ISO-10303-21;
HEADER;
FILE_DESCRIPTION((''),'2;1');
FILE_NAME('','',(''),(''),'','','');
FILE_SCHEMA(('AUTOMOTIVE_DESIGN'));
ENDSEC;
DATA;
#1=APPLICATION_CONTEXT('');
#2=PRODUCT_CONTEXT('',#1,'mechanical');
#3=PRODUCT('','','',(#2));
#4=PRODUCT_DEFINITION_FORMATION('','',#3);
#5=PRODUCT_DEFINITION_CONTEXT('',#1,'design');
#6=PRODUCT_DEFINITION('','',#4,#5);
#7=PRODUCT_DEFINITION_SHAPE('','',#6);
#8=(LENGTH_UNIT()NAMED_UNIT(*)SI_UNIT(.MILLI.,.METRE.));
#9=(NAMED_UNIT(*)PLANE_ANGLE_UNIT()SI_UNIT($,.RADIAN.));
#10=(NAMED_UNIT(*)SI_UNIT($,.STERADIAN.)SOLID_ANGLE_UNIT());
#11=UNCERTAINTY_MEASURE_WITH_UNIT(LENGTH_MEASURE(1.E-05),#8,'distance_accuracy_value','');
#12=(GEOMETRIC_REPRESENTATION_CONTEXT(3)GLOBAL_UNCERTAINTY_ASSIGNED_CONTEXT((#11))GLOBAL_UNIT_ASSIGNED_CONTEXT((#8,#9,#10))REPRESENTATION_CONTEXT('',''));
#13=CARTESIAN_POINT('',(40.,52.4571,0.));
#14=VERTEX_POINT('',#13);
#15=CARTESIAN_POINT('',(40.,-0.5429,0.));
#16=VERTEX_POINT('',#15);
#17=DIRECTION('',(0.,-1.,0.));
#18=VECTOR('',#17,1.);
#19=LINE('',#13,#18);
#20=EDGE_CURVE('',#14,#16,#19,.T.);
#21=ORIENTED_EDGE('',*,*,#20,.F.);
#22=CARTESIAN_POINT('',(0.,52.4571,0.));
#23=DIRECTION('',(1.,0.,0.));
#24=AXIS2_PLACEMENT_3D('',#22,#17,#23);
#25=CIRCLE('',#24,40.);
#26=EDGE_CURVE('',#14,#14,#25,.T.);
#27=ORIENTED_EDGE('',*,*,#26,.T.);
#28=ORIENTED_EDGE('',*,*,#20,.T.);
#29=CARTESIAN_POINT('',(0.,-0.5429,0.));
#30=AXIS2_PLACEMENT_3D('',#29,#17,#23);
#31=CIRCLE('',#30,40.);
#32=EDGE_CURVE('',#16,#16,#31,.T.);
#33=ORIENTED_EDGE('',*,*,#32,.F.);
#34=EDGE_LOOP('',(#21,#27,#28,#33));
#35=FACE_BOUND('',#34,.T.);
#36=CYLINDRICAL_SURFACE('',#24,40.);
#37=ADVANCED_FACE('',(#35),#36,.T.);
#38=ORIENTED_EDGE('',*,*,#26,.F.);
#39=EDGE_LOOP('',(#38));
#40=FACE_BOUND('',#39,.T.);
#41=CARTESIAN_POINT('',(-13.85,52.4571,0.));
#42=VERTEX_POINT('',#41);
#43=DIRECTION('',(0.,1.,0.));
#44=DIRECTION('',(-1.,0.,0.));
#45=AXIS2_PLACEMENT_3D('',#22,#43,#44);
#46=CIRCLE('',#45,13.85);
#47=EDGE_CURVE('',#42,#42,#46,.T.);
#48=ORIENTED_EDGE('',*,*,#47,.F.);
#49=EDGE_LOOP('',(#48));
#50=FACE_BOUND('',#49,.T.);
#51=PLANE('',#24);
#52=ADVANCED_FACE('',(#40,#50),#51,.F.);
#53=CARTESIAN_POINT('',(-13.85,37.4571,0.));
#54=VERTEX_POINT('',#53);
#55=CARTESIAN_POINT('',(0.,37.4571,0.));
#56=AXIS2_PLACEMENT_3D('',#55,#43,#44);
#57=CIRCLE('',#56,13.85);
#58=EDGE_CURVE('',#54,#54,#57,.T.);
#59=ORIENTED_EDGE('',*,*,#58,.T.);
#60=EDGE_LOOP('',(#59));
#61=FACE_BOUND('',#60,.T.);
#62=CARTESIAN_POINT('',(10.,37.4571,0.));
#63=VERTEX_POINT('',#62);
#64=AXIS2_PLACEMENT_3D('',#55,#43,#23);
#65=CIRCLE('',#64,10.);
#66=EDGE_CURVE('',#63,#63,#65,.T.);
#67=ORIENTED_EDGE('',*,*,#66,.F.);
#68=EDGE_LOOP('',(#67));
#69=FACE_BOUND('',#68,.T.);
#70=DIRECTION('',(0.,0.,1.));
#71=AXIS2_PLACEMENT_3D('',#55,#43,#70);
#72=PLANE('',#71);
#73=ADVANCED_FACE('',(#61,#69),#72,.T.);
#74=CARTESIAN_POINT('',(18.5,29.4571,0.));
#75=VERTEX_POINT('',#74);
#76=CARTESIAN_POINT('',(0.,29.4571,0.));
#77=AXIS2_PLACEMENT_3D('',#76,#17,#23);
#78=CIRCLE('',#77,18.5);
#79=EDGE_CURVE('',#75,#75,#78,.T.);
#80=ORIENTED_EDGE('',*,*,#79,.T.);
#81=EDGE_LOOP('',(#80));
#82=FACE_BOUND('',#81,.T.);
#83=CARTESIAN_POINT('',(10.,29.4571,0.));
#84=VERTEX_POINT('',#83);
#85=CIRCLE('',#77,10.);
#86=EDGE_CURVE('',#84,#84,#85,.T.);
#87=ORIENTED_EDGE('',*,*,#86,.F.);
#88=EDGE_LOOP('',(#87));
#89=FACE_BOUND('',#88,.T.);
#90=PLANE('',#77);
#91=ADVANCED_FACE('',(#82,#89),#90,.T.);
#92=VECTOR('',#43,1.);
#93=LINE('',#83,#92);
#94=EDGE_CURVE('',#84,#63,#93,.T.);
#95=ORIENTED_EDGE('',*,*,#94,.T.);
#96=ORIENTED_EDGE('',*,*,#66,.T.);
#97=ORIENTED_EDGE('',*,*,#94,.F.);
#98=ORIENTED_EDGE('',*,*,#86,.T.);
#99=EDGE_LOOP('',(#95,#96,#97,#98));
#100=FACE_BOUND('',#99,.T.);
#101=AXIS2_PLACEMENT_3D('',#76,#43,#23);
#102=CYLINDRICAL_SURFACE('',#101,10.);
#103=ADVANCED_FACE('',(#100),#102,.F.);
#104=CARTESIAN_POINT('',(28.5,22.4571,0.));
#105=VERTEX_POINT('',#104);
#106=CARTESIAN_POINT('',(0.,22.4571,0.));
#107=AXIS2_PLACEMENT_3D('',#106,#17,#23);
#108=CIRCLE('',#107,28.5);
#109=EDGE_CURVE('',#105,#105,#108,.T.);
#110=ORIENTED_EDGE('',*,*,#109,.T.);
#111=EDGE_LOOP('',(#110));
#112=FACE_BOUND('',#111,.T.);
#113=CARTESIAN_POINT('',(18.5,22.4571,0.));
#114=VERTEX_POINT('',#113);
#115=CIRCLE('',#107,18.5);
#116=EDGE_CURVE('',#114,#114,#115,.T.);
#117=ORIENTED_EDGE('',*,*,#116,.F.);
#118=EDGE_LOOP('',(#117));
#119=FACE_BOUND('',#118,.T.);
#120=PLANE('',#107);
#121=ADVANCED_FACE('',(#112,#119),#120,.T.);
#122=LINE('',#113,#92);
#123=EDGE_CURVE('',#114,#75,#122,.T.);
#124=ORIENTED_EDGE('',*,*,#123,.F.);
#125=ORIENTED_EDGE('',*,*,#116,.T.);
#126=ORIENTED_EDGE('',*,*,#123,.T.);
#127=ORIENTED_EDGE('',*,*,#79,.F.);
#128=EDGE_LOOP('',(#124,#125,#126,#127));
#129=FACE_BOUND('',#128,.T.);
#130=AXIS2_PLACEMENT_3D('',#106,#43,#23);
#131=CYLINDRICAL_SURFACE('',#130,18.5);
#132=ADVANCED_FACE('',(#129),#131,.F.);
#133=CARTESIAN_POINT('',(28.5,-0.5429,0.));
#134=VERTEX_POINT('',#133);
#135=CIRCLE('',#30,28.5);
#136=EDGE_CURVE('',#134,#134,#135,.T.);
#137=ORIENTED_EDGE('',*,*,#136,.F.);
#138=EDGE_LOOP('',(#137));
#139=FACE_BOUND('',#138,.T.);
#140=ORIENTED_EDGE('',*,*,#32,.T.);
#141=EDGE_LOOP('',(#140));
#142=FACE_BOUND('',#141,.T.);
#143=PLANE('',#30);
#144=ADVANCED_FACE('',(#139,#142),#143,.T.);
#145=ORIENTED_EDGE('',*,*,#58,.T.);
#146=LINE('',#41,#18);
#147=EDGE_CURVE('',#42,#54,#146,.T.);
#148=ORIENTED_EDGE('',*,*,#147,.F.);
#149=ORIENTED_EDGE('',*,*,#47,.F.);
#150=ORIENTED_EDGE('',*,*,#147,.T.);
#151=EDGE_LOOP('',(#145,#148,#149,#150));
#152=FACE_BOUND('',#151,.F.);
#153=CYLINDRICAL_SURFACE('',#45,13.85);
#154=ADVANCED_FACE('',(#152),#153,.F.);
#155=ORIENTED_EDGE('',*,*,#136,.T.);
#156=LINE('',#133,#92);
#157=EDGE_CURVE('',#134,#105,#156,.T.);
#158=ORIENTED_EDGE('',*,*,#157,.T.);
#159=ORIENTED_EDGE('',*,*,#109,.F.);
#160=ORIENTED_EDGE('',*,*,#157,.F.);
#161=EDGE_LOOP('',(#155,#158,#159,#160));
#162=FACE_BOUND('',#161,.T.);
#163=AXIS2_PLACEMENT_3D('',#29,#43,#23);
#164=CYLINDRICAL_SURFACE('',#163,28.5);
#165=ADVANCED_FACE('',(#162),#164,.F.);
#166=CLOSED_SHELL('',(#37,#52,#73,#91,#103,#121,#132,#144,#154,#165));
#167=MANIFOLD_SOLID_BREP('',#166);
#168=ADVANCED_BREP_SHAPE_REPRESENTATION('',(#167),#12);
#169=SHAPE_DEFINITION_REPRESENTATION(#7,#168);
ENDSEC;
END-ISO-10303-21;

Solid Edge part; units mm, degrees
sketch "Sketch1" plane through (0, 0, 0) normal (0, 0, 1) x (1, 0, 0)
  line L0 (10, 52.4571) -> (40, 52.4571)
  line L1 (40, 52.4571) -> (40, 36.4571)
  line L2 (40, 36.4571) -> (40, 31.4571)
  line L3 (40, 31.4571) -> (40, 24.4571)
  line L4 (40, 24.4571) -> (40, -0.5429)
  line L5 (40, -0.5429) -> (28.5, -0.5429)
  line L6 (28.5, -0.5429) -> (28.5, 22.4571)
  line L7 (28.5, 22.4571) -> (18.5, 22.4571)
  line L8 (18.5, 22.4571) -> (18.5, 29.4571)
  line L9 (18.5, 29.4571) -> (10, 29.4571)
  line L10 (10, 29.4571) -> (10, 52.4571)
  dimension "D1" = 53
  dimension "D2" = 23
revolve "RevolvedProtrusion1" add sketch "Sketch1" angle 360 about axis through (0, 54, 0) along (0, -1, 0)
sketch "Sketch2" plane through (0, 52.4571, 0) normal (0, 1, 0) x (-1, 0, 0)
  circle A0 centre (0, 0) radius 13.85
extrude "Cutout1" cut sketch "Sketch2" against normal blind 15
